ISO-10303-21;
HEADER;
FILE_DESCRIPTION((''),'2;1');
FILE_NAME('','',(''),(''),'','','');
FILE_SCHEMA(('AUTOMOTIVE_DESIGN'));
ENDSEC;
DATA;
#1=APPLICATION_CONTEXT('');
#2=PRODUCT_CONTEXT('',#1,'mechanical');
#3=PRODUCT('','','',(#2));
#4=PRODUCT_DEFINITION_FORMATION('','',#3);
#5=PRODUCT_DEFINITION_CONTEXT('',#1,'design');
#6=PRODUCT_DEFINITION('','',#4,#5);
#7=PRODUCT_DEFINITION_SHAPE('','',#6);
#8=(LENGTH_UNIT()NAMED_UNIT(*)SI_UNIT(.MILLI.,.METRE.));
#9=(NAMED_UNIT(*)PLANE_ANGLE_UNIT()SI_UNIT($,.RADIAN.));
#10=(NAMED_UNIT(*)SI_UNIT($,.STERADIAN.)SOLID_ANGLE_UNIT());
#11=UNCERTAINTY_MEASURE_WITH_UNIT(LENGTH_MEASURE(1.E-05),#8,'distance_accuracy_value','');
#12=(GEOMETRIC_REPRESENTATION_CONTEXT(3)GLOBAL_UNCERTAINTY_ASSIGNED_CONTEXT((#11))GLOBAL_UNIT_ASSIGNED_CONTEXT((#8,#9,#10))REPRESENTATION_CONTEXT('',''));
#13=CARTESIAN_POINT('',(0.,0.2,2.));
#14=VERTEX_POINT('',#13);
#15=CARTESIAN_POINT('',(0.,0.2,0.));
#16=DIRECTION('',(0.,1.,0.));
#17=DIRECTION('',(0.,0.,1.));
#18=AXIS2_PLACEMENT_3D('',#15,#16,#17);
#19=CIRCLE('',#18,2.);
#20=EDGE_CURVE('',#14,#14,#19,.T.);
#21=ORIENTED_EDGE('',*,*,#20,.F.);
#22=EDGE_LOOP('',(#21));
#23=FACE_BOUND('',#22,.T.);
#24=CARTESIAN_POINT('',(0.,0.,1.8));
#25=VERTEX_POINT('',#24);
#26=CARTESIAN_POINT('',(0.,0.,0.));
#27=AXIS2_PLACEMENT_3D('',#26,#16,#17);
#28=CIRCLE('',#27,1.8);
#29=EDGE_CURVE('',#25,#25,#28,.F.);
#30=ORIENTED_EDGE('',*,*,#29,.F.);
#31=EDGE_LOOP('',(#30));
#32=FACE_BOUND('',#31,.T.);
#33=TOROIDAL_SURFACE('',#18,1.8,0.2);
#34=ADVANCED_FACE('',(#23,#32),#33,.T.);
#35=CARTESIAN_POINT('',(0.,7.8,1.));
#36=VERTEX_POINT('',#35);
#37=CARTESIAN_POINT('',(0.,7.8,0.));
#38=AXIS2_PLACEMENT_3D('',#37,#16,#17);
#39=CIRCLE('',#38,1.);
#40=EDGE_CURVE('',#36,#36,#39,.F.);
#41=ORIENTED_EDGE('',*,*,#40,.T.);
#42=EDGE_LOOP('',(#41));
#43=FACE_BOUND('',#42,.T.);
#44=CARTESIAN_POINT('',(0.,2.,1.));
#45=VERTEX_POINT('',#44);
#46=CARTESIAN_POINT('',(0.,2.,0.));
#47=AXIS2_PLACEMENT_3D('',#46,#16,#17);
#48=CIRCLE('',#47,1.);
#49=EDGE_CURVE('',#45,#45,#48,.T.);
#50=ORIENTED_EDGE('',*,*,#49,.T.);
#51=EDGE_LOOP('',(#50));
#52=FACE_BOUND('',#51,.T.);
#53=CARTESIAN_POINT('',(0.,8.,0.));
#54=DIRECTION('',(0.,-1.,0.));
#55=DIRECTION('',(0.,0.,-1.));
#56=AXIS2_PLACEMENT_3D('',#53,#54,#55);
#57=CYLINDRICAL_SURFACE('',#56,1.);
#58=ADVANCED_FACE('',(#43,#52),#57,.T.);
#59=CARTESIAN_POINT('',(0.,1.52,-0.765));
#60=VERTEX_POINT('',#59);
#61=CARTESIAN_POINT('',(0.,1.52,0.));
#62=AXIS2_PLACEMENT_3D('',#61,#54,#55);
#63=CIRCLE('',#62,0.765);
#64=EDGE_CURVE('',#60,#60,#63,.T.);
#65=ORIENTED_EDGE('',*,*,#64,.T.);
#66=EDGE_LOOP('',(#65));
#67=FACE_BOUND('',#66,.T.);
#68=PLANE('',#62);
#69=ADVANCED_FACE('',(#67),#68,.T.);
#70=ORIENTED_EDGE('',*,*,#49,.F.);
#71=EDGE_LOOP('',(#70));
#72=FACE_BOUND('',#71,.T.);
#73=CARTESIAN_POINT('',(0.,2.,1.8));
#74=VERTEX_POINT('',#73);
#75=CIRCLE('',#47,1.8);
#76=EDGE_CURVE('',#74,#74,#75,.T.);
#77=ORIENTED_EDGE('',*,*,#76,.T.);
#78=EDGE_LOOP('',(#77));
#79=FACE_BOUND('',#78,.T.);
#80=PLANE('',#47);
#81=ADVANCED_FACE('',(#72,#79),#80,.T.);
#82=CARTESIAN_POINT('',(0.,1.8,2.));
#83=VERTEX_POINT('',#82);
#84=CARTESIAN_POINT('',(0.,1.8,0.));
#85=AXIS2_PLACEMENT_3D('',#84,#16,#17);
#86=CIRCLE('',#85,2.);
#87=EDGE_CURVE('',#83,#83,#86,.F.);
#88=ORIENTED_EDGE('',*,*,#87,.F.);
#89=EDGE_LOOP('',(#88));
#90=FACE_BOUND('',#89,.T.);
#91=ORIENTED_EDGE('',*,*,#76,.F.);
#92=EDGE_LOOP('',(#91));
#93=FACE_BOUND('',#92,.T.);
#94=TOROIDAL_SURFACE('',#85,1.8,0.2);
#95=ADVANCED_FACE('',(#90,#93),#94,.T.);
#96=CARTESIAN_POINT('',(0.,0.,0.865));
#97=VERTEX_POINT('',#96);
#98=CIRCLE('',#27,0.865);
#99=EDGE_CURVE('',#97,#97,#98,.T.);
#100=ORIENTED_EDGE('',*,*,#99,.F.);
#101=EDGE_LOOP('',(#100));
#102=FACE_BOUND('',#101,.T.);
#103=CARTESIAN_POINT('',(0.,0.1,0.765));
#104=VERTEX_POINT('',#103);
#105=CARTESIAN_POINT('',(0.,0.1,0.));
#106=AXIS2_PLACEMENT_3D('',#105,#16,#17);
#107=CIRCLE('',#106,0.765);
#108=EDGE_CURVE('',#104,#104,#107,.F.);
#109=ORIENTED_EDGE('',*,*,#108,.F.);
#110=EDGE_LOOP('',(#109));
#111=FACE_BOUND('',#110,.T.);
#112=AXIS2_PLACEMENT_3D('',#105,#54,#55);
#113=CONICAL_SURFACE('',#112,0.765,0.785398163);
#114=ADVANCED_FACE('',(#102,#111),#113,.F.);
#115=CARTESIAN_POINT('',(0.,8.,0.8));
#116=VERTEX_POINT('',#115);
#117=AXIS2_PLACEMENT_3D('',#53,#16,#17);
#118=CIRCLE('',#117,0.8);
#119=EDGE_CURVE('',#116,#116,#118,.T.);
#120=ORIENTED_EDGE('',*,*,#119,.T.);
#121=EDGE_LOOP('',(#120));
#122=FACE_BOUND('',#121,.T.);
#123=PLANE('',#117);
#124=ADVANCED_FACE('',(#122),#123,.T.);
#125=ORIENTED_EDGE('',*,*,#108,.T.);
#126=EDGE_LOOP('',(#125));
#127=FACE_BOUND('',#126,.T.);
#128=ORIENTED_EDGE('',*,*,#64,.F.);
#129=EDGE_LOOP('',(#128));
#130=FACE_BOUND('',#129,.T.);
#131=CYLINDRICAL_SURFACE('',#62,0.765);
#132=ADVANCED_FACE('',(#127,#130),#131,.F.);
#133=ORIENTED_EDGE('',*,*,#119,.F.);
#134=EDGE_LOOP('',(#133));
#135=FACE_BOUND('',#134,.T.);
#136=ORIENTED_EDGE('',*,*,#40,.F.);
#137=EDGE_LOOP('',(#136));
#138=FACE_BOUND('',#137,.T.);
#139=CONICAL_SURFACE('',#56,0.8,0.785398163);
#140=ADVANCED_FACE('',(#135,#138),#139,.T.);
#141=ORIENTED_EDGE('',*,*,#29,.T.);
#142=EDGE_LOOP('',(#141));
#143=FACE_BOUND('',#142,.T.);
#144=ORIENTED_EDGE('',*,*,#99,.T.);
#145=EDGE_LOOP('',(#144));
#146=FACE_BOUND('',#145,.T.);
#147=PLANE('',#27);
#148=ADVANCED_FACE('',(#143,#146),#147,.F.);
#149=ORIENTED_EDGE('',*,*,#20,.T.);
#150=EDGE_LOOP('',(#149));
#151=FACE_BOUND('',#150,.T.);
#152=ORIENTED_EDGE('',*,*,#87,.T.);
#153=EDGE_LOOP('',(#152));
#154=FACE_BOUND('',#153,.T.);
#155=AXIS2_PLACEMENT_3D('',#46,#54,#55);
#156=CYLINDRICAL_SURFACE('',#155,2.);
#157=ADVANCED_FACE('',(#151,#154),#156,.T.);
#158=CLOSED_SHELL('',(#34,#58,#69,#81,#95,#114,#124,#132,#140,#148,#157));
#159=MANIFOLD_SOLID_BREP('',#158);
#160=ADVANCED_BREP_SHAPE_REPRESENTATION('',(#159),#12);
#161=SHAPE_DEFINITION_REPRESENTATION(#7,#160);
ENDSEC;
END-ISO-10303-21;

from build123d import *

# Parameters (mm, degrees)
SKETCH_2_R          = 2
EXTRUDE_1_DEPTH     = 2
SKETCH_3_R          = 1
EXTRUDE_2_DEPTH     = 6
FILLET_1_R          = 0.2
SKETCH_4_R          = 0.765
CUT_EXTRUDE_1_DEPTH = 1.52
CHAMFER_1_SIZE      = 0.1
CHAMFER_2_SIZE      = 0.2


with BuildPart() as part:
    # 草图2 → 凸台-拉伸1 (new body)
    with BuildSketch(Plane(origin=(0, 0, 0), x_dir=(1, 0, 0), z_dir=(0, 1, 0))):
        with Locations(Location((0, 0, 0), (0, 0, 270))):
            Circle(SKETCH_2_R)
    extrude(amount=EXTRUDE_1_DEPTH)

    # 草图3 → 凸台-拉伸2 (add)
    with BuildSketch(Plane(origin=(0, 2, 0), x_dir=(1, 0, 0), z_dir=(0, 1, 0))):
        with Locations(Location((0, 0, 0), (0, 0, 270))):
            Circle(SKETCH_3_R)
    extrude(amount=EXTRUDE_2_DEPTH)

    # 圆角1
    fillet_1_edges = [part.edges().sort_by_distance(p)[0] for p in [
        (0, 0, -2),
        (0, 2, -2),
    ]]
    fillet(fillet_1_edges, radius=FILLET_1_R)

    # 草图4 → 切除-拉伸1 (cut)
    with BuildSketch(Plane.XZ):
        with Locations(Location((0, 0, 0), (0, 0, 270))):
            Circle(SKETCH_4_R)
    extrude(amount=-CUT_EXTRUDE_1_DEPTH, mode=Mode.SUBTRACT)

    # 倒角1
    chamfer_1_edges = [part.edges().sort_by_distance(p)[0] for p in [
        (0, 0, 0.765),
    ]]
    chamfer(chamfer_1_edges, length=CHAMFER_1_SIZE)

    # 倒角2
    chamfer_2_edges = [part.edges().sort_by_distance(p)[0] for p in [
        (0, 8, -1),
    ]]
    chamfer(chamfer_2_edges, length=CHAMFER_2_SIZE)


solid = part.part
